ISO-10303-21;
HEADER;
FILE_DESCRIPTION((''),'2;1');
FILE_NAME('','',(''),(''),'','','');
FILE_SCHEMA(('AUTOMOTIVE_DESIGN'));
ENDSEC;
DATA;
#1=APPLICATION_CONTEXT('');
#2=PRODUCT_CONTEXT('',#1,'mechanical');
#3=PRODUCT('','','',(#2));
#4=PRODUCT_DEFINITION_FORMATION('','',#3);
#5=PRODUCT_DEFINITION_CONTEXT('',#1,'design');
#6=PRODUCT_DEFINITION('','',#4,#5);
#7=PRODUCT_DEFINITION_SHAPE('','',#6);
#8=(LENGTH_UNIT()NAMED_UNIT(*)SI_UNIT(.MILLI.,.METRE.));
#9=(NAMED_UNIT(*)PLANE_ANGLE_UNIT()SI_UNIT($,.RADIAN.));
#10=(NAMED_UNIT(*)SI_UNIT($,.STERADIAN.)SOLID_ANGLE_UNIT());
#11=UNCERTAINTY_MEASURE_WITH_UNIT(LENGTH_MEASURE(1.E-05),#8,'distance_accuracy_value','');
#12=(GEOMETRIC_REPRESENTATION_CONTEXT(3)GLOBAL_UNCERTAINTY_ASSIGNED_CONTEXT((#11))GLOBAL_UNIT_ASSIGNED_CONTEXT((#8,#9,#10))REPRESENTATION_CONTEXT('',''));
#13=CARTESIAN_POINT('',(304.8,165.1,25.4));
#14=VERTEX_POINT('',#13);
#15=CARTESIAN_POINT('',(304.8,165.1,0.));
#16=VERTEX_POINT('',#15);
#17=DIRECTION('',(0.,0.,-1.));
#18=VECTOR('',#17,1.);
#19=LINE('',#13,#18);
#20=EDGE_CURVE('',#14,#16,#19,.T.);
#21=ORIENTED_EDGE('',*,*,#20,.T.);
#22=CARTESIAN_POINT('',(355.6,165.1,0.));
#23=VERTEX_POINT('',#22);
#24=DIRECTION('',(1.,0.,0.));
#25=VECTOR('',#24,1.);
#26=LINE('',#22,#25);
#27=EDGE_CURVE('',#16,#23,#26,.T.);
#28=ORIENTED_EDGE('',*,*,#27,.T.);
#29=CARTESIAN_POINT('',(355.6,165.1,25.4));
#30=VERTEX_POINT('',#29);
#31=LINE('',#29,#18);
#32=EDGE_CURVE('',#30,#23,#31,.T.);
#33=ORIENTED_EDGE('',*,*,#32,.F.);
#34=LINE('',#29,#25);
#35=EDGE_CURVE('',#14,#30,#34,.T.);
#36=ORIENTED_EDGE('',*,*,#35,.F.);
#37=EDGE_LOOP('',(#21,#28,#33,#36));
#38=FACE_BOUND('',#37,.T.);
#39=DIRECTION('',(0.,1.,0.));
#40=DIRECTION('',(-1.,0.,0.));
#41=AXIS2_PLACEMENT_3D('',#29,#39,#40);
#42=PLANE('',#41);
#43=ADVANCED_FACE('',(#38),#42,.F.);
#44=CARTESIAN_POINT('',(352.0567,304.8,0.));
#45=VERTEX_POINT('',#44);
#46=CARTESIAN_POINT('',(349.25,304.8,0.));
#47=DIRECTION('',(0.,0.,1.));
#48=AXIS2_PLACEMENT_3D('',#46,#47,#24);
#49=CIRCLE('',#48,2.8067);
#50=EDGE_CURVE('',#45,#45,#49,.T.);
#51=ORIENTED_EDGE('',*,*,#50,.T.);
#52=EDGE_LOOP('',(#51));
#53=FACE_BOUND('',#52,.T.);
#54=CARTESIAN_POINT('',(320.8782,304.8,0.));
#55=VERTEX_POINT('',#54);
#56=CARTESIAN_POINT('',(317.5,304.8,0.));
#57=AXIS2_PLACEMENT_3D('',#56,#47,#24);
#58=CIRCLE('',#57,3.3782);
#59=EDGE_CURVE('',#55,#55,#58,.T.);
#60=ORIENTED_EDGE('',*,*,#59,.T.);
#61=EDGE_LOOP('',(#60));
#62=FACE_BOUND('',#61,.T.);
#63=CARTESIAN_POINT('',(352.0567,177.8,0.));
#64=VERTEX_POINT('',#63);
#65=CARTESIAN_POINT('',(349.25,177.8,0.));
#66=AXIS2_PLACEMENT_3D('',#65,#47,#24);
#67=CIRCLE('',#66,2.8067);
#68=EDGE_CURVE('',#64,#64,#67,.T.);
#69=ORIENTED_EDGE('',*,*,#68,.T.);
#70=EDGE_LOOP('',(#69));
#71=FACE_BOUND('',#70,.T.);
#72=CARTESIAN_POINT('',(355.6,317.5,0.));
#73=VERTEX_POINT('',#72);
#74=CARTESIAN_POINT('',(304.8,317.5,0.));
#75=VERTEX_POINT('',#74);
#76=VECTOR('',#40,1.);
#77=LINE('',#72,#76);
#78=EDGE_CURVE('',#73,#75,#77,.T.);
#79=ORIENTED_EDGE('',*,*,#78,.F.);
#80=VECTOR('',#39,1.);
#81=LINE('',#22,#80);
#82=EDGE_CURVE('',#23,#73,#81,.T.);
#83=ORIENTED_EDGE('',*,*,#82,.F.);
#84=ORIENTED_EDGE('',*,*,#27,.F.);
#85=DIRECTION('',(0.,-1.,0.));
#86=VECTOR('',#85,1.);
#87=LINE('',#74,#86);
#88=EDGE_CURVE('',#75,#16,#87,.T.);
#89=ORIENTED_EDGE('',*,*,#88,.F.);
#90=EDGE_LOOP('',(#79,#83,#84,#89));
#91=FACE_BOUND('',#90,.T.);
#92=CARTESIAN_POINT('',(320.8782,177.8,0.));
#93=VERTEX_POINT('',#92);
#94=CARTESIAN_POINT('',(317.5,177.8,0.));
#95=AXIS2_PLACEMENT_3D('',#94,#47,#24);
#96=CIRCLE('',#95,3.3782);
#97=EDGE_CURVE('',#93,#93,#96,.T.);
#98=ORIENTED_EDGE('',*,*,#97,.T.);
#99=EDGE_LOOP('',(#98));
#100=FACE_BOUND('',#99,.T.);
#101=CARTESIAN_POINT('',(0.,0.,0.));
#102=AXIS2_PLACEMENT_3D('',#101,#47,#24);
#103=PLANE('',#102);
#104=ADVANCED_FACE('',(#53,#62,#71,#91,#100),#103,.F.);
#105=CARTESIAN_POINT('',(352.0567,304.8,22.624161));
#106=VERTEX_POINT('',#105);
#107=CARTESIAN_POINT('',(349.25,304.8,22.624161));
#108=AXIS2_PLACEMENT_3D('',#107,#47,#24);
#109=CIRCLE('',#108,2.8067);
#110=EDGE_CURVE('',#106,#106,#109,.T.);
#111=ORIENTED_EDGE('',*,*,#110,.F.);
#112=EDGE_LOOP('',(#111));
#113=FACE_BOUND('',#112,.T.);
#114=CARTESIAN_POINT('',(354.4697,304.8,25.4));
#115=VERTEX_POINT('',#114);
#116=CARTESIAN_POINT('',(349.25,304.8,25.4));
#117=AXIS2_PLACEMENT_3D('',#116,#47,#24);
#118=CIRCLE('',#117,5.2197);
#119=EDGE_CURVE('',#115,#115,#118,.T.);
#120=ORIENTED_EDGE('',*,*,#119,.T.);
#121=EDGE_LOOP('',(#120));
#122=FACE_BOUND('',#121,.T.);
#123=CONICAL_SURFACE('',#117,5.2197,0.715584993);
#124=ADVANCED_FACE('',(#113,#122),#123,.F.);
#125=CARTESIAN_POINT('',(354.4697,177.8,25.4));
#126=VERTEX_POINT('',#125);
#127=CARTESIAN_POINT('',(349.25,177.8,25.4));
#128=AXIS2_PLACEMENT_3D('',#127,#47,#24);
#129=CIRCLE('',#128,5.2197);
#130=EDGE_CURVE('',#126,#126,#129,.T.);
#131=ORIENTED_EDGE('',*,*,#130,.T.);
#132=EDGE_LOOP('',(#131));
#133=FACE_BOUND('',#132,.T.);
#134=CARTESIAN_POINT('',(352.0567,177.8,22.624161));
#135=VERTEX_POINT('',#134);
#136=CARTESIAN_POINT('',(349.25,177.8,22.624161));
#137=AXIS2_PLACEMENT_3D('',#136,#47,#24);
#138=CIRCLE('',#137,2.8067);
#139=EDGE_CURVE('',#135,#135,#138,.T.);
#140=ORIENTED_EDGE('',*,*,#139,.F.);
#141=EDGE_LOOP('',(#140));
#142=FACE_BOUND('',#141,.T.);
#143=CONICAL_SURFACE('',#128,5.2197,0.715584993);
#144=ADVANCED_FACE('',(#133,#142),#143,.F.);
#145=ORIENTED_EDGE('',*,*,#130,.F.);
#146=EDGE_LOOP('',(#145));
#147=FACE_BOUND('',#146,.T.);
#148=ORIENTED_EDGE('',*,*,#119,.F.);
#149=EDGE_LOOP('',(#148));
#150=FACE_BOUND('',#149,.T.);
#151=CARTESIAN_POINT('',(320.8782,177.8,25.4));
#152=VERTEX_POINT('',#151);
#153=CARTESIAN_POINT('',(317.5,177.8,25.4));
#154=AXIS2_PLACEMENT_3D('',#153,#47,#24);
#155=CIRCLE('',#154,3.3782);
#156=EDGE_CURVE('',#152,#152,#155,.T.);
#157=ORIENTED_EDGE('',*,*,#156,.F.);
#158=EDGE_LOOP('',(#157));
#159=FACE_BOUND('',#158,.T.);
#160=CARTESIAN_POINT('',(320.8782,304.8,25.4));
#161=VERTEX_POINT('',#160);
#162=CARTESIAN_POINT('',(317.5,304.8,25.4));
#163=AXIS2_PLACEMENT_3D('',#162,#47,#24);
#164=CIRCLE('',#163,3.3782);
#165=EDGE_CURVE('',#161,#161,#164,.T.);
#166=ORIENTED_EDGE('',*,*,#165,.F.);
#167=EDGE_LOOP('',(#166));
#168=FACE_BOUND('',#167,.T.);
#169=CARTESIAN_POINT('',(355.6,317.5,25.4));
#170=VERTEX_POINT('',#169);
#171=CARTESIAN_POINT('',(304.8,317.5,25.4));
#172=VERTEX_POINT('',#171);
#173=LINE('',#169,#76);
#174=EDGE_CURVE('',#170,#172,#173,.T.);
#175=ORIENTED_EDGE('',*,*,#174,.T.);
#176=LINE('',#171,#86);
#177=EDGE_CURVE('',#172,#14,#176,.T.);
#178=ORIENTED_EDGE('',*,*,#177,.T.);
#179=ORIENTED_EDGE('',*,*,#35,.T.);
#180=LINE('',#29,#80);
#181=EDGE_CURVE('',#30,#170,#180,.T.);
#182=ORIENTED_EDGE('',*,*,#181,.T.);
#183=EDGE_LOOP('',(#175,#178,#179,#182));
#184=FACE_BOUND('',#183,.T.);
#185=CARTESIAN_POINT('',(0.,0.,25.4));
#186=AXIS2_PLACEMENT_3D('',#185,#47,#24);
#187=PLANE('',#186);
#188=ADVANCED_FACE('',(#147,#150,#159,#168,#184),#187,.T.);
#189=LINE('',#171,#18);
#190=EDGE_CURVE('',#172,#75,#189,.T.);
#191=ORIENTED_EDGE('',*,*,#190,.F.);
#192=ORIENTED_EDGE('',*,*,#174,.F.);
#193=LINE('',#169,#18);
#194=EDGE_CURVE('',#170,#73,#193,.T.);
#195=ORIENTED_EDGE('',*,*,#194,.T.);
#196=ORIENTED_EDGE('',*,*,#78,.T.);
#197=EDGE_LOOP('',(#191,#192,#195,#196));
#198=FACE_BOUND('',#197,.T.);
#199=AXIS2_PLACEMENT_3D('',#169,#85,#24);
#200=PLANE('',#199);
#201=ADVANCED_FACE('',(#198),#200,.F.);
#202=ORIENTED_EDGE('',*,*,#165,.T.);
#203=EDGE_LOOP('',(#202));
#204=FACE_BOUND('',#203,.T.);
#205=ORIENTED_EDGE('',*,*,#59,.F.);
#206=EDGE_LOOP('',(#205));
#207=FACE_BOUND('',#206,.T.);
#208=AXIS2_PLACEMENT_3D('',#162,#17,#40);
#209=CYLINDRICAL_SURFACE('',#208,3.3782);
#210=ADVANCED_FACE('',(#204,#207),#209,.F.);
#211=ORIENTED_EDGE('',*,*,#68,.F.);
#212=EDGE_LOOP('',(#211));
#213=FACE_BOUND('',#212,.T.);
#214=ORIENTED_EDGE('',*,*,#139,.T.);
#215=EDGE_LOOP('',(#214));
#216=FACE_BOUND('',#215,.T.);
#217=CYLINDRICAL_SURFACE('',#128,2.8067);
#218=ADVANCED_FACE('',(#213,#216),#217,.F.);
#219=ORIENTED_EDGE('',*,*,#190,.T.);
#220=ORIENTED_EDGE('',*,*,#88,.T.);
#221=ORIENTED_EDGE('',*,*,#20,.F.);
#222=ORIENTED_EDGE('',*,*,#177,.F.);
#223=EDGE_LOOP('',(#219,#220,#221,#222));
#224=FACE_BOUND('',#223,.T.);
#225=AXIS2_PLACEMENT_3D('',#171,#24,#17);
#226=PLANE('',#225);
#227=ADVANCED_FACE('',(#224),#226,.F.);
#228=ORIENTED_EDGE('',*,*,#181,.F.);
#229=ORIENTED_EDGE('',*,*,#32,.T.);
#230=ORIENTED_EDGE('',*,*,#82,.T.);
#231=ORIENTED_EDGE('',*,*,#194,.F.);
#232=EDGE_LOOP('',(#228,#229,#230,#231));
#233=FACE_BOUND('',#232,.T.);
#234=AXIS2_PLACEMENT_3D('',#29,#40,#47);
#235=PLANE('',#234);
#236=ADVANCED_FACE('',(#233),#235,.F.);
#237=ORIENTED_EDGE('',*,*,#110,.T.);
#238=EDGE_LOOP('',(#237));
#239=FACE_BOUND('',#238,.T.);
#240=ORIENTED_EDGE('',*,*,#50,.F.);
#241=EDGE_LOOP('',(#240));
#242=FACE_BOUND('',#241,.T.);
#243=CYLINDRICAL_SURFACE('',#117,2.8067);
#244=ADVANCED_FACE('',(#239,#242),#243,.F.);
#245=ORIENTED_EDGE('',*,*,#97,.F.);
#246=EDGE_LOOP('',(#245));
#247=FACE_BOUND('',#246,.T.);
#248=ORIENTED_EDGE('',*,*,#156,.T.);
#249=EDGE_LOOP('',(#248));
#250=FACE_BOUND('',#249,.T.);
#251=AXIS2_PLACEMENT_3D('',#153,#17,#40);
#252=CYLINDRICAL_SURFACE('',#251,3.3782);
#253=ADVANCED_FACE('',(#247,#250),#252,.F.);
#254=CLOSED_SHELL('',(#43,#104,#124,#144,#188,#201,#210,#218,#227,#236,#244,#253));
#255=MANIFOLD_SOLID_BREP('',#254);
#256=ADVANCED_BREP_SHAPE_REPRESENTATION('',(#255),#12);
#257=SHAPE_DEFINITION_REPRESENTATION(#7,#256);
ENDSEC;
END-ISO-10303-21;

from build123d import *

# Parameters (mm, degrees)
SKETCH1_W                                          = 50.8
SKETCH1_H                                          = 152.4
SKETCH1_R                                          = 3.3782
BOSS_EXTRUDE1_DEPTH                                = 25.4
CSK_FOR_10_FLAT_HEAD_SOCKET_CAP_SCREW1_D           = 5.6134
CSK_FOR_10_FLAT_HEAD_SOCKET_CAP_SCREW1_CSINK_D     = 10.4394
CSK_FOR_10_FLAT_HEAD_SOCKET_CAP_SCREW1_CSINK_ANGLE = 82


with BuildPart() as part:
    # Sketch1 → Boss-Extrude1 (new body)
    with BuildSketch(Plane.XY):
        with Locations((330.2, 241.3)):
            Rectangle(SKETCH1_W, SKETCH1_H)
        with Locations((317.5, 304.8)):
            Circle(SKETCH1_R, mode=Mode.SUBTRACT)
        with Locations((317.5, 177.8)):
            Circle(SKETCH1_R, mode=Mode.SUBTRACT)
    extrude(amount=BOSS_EXTRUDE1_DEPTH)

    # CSK for #10 Flat Head Socket Cap Screw1 (through all)
    with Locations(Plane.XY.offset(25.4)):
        with Locations((349.25, 304.8), (349.25, 177.8)):
            CounterSinkHole(CSK_FOR_10_FLAT_HEAD_SOCKET_CAP_SCREW1_D / 2, CSK_FOR_10_FLAT_HEAD_SOCKET_CAP_SCREW1_CSINK_D / 2, counter_sink_angle=CSK_FOR_10_FLAT_HEAD_SOCKET_CAP_SCREW1_CSINK_ANGLE)


solid = part.part
